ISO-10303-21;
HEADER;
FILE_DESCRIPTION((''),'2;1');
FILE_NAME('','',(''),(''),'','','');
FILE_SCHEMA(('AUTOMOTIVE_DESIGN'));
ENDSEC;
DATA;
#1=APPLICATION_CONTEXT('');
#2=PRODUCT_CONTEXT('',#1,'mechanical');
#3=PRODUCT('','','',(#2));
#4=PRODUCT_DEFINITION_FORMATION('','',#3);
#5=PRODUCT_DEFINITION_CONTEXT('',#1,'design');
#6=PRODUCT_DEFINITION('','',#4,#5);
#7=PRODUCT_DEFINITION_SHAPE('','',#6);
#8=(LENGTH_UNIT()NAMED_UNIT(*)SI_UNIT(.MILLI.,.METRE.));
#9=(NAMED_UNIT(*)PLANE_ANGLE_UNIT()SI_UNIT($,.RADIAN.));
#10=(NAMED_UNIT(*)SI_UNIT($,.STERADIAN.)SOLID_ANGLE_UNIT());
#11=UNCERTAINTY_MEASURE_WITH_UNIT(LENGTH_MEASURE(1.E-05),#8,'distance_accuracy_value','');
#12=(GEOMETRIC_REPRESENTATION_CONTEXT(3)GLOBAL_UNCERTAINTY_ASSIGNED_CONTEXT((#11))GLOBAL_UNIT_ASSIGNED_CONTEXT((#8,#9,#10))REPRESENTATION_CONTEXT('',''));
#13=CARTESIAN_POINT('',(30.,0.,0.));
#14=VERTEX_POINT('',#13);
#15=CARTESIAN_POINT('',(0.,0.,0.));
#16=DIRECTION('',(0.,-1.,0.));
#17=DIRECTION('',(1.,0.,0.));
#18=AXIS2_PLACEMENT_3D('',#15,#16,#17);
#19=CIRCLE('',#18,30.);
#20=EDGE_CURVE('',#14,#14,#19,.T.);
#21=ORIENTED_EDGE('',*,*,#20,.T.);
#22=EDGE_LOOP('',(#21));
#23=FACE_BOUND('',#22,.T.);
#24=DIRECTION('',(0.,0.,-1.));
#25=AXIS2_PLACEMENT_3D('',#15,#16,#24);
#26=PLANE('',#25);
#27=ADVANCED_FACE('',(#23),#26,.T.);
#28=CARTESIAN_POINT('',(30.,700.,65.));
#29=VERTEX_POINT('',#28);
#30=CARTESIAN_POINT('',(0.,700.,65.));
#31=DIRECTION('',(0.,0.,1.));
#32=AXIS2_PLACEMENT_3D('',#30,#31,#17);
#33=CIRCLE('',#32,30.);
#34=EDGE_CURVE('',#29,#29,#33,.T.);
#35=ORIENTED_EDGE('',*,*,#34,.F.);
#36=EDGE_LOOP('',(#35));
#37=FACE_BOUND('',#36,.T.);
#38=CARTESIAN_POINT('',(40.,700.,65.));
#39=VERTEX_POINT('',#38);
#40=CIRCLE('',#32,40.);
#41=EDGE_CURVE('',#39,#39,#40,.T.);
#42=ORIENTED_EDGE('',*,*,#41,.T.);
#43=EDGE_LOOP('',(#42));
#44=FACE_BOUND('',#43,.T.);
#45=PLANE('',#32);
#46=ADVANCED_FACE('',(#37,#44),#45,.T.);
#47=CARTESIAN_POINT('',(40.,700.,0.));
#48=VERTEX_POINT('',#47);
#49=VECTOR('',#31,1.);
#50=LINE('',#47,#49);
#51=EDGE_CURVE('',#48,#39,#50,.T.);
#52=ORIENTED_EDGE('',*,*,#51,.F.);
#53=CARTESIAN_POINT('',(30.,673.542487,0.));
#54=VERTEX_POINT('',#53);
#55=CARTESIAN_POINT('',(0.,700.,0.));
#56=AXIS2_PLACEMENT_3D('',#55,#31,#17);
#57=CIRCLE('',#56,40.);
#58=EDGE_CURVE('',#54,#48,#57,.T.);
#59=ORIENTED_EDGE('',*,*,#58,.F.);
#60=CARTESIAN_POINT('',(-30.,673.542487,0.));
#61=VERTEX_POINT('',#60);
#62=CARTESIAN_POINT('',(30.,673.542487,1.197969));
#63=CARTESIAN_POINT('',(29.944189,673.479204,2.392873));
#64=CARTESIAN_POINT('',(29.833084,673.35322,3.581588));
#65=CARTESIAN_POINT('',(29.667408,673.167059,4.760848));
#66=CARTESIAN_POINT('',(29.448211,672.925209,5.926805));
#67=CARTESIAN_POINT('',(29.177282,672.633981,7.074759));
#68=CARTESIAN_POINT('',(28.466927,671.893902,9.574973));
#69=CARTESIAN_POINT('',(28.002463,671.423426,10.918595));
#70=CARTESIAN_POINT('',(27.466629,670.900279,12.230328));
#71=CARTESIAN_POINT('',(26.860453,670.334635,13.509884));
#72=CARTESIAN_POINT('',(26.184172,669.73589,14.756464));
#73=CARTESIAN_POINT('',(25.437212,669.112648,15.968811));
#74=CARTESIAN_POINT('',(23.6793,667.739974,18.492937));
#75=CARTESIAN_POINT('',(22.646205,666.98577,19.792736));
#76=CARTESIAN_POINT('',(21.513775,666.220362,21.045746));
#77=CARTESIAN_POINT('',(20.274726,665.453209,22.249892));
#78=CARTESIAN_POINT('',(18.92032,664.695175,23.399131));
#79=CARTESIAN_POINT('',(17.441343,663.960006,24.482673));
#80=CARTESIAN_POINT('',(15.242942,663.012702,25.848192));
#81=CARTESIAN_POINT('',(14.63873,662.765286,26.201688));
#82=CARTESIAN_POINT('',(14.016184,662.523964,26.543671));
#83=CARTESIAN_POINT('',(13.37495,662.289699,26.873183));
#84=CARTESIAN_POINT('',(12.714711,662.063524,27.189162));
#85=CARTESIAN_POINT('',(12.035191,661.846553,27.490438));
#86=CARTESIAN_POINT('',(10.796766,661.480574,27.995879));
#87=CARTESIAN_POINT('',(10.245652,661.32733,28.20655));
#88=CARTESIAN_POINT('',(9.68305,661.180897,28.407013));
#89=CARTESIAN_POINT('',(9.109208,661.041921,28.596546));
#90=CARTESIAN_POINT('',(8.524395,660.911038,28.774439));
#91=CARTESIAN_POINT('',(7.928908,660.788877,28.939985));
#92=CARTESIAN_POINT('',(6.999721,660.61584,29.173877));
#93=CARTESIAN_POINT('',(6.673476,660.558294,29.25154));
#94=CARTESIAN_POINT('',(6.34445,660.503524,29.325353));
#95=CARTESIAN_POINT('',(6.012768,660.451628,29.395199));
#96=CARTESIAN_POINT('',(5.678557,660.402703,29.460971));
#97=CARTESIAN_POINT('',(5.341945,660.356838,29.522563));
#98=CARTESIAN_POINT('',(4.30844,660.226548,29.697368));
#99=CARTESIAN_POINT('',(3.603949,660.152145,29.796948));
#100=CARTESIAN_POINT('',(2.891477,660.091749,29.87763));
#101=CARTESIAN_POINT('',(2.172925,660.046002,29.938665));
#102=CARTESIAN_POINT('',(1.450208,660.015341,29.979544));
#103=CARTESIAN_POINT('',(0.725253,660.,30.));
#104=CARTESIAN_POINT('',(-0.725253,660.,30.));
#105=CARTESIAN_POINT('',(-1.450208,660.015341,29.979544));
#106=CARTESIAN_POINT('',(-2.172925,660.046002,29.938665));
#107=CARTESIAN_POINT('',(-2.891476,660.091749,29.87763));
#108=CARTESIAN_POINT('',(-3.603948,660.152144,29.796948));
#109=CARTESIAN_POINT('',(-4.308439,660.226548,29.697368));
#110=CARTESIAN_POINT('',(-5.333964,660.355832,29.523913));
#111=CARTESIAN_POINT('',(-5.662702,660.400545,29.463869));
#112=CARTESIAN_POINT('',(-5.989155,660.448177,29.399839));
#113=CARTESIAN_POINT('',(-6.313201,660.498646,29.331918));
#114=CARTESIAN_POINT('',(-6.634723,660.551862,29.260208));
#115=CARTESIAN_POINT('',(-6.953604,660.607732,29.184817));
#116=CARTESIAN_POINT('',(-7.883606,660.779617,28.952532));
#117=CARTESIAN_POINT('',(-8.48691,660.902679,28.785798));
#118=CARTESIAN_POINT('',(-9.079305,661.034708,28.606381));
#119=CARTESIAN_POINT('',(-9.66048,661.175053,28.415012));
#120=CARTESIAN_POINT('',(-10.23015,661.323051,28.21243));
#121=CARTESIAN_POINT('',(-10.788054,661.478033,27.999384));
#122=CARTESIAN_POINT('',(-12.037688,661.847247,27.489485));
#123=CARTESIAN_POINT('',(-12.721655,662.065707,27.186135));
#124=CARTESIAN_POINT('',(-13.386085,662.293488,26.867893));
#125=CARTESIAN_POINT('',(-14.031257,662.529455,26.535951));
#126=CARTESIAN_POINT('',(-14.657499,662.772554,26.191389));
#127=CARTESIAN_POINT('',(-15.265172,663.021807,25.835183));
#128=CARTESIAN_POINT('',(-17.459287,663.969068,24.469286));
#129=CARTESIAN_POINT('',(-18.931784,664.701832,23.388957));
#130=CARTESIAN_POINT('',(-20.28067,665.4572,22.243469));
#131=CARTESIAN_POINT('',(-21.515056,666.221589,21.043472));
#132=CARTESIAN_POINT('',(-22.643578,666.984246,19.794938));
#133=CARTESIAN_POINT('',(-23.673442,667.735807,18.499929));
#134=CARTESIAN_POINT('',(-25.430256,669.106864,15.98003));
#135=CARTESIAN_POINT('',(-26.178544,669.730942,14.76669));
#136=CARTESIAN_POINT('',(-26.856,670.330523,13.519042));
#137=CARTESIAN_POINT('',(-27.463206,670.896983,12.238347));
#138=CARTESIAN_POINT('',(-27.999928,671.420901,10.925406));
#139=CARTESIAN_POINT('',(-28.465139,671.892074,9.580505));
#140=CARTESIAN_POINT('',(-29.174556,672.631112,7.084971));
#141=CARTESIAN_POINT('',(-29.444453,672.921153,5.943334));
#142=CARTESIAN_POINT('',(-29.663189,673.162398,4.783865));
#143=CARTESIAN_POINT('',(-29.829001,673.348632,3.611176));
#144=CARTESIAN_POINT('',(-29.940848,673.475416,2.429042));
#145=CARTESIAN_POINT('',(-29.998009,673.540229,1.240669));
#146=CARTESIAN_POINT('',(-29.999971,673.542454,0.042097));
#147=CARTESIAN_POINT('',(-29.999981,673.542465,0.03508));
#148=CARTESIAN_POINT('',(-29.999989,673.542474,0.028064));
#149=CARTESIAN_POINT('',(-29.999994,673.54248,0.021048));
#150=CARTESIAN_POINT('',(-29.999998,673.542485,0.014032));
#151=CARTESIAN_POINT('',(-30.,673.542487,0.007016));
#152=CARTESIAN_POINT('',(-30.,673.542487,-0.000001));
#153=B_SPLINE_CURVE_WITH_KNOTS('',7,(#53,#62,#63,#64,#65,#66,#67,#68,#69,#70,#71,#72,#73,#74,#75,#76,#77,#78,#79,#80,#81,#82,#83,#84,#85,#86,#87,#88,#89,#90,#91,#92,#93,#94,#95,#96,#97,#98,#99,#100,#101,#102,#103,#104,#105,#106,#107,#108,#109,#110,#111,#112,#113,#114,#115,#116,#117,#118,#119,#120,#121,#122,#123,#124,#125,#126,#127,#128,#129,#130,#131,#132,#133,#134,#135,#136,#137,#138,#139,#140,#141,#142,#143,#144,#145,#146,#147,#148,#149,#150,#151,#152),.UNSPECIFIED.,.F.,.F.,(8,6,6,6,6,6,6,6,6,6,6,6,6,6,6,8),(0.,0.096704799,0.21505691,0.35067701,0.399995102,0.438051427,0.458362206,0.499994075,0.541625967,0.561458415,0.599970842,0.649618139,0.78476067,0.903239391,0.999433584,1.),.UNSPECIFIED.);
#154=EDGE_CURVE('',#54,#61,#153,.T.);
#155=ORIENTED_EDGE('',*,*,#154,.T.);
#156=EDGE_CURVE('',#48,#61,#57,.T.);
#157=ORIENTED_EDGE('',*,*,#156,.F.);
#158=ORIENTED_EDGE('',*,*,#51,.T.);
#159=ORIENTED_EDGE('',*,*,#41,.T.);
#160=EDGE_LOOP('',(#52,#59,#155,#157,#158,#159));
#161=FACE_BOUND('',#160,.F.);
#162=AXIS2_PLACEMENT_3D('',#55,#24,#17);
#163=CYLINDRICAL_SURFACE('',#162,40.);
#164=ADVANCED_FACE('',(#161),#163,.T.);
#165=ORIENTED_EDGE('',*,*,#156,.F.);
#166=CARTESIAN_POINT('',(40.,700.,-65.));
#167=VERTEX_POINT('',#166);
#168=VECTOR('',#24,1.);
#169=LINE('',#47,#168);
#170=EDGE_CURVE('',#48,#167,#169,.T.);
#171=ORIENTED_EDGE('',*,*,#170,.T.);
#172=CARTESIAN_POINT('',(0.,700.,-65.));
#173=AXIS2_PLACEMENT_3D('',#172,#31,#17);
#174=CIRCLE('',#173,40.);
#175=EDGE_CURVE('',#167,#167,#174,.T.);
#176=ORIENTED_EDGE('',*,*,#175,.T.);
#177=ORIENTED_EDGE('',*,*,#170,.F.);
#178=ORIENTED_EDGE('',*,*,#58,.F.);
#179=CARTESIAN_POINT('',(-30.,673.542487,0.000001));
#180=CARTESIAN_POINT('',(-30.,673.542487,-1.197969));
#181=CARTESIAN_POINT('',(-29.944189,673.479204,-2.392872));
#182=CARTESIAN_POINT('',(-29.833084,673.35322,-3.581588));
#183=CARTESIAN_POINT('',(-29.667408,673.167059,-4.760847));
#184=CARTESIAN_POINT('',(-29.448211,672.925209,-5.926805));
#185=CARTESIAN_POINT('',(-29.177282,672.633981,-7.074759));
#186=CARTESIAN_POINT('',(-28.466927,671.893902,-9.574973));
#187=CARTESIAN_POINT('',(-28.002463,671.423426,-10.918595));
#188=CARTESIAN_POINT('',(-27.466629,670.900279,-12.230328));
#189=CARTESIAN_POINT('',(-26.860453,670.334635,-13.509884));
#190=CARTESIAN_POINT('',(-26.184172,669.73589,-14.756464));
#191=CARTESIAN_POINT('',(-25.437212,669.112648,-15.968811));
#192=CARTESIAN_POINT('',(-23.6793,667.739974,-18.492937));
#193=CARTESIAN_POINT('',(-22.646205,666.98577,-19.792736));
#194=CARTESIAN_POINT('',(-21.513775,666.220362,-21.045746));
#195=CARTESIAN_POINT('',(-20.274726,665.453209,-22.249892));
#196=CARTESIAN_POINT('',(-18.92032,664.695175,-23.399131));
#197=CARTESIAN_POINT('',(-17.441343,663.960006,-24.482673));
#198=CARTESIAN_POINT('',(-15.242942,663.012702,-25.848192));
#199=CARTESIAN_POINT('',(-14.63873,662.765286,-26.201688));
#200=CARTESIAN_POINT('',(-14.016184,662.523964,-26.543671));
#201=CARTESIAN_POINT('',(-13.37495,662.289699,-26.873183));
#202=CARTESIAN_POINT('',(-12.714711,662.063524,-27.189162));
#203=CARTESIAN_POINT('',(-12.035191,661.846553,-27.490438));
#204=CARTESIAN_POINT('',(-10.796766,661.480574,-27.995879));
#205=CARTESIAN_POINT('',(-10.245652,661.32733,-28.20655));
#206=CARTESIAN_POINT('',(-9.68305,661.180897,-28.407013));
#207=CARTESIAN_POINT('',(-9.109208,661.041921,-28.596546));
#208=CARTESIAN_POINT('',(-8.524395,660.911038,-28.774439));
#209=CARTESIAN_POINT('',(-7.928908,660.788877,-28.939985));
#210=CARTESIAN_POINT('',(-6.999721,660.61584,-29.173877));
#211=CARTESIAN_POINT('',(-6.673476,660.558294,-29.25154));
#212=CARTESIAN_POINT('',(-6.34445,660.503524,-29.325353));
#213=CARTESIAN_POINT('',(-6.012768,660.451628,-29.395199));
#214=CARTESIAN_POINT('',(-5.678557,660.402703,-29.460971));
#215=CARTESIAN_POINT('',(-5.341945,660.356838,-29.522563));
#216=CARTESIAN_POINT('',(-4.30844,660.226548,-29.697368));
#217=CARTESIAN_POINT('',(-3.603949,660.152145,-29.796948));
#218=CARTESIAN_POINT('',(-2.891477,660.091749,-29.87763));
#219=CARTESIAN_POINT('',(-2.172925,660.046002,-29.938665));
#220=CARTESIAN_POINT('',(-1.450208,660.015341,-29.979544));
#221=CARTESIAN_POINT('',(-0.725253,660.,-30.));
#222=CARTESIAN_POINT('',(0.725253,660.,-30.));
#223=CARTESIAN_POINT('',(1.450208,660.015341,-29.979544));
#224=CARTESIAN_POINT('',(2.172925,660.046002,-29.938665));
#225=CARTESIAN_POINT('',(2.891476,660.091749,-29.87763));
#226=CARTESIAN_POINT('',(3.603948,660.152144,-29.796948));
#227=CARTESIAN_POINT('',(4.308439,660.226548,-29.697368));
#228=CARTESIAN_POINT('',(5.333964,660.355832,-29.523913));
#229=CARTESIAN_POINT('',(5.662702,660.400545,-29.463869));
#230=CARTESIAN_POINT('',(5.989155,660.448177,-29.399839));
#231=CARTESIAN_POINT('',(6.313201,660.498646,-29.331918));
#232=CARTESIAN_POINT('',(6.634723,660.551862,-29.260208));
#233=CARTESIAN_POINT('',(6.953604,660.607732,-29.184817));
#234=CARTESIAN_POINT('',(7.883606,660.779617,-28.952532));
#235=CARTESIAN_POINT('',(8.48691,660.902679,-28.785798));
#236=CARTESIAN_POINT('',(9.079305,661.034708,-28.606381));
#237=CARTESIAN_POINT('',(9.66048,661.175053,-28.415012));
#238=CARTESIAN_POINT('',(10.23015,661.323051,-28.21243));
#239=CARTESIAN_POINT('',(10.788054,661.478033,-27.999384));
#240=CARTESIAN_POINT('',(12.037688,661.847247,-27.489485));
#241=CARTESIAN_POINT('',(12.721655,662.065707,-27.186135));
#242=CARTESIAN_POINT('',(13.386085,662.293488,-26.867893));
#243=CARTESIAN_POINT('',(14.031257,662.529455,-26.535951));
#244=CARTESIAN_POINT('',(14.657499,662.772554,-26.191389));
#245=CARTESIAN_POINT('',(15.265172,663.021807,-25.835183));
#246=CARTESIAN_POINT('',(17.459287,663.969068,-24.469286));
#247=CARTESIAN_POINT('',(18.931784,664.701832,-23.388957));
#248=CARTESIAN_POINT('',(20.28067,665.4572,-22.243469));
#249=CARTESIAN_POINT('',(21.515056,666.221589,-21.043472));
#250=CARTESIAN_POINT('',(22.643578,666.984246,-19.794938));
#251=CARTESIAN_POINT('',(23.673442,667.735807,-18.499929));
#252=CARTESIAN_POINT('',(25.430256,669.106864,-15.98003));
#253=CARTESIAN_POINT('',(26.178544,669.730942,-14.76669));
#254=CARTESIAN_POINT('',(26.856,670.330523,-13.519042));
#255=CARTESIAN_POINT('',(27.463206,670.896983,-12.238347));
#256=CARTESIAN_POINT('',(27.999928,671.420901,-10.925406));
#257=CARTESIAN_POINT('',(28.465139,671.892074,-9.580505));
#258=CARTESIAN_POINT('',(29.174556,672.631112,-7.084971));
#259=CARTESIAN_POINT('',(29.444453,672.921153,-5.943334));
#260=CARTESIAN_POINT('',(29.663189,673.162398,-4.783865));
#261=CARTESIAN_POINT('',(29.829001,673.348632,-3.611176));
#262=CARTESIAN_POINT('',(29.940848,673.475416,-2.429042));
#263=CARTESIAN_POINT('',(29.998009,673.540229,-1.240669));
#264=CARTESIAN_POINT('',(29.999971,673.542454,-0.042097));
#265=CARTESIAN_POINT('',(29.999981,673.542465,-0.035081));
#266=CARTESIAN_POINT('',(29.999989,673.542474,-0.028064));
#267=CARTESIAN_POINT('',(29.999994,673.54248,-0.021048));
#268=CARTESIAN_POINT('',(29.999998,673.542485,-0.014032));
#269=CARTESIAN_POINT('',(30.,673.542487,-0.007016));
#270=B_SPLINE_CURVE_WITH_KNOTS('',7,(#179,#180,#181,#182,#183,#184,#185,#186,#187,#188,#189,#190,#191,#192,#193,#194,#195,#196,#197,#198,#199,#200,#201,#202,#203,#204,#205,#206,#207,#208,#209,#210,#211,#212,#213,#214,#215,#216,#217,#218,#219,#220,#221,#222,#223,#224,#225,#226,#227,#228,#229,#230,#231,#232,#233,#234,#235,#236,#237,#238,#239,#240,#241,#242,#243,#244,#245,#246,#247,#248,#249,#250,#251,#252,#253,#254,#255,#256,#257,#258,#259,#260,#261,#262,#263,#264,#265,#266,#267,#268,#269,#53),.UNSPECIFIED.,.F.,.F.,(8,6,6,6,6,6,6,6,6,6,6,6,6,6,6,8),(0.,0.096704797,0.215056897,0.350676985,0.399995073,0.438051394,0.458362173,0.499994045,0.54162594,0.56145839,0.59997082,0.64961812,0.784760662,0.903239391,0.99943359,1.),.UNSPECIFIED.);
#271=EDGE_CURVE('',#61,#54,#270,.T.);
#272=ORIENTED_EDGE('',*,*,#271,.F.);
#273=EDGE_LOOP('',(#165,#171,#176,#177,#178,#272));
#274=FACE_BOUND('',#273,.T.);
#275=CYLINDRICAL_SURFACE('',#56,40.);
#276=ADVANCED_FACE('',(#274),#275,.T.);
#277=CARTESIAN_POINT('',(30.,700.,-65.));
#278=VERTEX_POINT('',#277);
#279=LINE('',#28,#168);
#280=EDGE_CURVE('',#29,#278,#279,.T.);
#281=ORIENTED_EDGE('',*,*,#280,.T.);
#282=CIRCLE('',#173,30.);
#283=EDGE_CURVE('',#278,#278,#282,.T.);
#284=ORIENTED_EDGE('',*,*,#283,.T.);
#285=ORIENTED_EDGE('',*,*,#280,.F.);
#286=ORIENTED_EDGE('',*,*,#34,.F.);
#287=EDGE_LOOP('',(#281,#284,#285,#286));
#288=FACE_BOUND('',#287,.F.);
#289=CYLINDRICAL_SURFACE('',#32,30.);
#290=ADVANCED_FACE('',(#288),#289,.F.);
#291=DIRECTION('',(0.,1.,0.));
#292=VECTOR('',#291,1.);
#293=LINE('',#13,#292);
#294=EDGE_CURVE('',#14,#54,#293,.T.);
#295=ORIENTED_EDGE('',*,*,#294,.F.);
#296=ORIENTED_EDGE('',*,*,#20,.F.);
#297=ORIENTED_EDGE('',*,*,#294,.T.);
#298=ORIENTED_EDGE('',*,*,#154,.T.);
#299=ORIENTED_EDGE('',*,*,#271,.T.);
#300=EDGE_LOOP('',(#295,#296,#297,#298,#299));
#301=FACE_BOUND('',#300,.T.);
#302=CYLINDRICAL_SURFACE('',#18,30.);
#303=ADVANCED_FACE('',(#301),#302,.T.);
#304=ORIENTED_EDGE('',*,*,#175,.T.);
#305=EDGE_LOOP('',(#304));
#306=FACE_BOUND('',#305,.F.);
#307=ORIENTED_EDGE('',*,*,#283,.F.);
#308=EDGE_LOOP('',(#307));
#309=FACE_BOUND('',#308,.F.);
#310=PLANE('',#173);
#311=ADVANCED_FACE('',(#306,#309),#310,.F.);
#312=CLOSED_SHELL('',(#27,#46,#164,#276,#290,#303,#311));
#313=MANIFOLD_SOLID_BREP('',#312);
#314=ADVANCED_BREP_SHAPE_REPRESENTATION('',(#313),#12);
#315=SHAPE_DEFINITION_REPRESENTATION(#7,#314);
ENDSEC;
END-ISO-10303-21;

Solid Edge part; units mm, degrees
sketch "Sketch1" plane through (0, 0, 0) normal (0, -1, 0) x (1, 0, 0)
  circle A0 centre (0, 0) radius 30
  dimension "D1" = 60
extrude "ExtrudedProtrusion_1" add sketch "Sketch1" against normal blind 700
sketch "Sketch2" plane through (0, 0, 0) normal (0, 0, 1) x (1, 0, 0)
  circle A0 centre (0, 700) radius 40
extrude "Protrusion1" add sketch "Sketch2" along normal mid plane 130
sketch "Sketch3" plane through (0, 528, 65) normal (0, 0, 1) x (1, 0, 0)
  circle A0 centre (0, 172) radius 30
extrude "Cutout1" cut sketch "Sketch3" against normal through all
